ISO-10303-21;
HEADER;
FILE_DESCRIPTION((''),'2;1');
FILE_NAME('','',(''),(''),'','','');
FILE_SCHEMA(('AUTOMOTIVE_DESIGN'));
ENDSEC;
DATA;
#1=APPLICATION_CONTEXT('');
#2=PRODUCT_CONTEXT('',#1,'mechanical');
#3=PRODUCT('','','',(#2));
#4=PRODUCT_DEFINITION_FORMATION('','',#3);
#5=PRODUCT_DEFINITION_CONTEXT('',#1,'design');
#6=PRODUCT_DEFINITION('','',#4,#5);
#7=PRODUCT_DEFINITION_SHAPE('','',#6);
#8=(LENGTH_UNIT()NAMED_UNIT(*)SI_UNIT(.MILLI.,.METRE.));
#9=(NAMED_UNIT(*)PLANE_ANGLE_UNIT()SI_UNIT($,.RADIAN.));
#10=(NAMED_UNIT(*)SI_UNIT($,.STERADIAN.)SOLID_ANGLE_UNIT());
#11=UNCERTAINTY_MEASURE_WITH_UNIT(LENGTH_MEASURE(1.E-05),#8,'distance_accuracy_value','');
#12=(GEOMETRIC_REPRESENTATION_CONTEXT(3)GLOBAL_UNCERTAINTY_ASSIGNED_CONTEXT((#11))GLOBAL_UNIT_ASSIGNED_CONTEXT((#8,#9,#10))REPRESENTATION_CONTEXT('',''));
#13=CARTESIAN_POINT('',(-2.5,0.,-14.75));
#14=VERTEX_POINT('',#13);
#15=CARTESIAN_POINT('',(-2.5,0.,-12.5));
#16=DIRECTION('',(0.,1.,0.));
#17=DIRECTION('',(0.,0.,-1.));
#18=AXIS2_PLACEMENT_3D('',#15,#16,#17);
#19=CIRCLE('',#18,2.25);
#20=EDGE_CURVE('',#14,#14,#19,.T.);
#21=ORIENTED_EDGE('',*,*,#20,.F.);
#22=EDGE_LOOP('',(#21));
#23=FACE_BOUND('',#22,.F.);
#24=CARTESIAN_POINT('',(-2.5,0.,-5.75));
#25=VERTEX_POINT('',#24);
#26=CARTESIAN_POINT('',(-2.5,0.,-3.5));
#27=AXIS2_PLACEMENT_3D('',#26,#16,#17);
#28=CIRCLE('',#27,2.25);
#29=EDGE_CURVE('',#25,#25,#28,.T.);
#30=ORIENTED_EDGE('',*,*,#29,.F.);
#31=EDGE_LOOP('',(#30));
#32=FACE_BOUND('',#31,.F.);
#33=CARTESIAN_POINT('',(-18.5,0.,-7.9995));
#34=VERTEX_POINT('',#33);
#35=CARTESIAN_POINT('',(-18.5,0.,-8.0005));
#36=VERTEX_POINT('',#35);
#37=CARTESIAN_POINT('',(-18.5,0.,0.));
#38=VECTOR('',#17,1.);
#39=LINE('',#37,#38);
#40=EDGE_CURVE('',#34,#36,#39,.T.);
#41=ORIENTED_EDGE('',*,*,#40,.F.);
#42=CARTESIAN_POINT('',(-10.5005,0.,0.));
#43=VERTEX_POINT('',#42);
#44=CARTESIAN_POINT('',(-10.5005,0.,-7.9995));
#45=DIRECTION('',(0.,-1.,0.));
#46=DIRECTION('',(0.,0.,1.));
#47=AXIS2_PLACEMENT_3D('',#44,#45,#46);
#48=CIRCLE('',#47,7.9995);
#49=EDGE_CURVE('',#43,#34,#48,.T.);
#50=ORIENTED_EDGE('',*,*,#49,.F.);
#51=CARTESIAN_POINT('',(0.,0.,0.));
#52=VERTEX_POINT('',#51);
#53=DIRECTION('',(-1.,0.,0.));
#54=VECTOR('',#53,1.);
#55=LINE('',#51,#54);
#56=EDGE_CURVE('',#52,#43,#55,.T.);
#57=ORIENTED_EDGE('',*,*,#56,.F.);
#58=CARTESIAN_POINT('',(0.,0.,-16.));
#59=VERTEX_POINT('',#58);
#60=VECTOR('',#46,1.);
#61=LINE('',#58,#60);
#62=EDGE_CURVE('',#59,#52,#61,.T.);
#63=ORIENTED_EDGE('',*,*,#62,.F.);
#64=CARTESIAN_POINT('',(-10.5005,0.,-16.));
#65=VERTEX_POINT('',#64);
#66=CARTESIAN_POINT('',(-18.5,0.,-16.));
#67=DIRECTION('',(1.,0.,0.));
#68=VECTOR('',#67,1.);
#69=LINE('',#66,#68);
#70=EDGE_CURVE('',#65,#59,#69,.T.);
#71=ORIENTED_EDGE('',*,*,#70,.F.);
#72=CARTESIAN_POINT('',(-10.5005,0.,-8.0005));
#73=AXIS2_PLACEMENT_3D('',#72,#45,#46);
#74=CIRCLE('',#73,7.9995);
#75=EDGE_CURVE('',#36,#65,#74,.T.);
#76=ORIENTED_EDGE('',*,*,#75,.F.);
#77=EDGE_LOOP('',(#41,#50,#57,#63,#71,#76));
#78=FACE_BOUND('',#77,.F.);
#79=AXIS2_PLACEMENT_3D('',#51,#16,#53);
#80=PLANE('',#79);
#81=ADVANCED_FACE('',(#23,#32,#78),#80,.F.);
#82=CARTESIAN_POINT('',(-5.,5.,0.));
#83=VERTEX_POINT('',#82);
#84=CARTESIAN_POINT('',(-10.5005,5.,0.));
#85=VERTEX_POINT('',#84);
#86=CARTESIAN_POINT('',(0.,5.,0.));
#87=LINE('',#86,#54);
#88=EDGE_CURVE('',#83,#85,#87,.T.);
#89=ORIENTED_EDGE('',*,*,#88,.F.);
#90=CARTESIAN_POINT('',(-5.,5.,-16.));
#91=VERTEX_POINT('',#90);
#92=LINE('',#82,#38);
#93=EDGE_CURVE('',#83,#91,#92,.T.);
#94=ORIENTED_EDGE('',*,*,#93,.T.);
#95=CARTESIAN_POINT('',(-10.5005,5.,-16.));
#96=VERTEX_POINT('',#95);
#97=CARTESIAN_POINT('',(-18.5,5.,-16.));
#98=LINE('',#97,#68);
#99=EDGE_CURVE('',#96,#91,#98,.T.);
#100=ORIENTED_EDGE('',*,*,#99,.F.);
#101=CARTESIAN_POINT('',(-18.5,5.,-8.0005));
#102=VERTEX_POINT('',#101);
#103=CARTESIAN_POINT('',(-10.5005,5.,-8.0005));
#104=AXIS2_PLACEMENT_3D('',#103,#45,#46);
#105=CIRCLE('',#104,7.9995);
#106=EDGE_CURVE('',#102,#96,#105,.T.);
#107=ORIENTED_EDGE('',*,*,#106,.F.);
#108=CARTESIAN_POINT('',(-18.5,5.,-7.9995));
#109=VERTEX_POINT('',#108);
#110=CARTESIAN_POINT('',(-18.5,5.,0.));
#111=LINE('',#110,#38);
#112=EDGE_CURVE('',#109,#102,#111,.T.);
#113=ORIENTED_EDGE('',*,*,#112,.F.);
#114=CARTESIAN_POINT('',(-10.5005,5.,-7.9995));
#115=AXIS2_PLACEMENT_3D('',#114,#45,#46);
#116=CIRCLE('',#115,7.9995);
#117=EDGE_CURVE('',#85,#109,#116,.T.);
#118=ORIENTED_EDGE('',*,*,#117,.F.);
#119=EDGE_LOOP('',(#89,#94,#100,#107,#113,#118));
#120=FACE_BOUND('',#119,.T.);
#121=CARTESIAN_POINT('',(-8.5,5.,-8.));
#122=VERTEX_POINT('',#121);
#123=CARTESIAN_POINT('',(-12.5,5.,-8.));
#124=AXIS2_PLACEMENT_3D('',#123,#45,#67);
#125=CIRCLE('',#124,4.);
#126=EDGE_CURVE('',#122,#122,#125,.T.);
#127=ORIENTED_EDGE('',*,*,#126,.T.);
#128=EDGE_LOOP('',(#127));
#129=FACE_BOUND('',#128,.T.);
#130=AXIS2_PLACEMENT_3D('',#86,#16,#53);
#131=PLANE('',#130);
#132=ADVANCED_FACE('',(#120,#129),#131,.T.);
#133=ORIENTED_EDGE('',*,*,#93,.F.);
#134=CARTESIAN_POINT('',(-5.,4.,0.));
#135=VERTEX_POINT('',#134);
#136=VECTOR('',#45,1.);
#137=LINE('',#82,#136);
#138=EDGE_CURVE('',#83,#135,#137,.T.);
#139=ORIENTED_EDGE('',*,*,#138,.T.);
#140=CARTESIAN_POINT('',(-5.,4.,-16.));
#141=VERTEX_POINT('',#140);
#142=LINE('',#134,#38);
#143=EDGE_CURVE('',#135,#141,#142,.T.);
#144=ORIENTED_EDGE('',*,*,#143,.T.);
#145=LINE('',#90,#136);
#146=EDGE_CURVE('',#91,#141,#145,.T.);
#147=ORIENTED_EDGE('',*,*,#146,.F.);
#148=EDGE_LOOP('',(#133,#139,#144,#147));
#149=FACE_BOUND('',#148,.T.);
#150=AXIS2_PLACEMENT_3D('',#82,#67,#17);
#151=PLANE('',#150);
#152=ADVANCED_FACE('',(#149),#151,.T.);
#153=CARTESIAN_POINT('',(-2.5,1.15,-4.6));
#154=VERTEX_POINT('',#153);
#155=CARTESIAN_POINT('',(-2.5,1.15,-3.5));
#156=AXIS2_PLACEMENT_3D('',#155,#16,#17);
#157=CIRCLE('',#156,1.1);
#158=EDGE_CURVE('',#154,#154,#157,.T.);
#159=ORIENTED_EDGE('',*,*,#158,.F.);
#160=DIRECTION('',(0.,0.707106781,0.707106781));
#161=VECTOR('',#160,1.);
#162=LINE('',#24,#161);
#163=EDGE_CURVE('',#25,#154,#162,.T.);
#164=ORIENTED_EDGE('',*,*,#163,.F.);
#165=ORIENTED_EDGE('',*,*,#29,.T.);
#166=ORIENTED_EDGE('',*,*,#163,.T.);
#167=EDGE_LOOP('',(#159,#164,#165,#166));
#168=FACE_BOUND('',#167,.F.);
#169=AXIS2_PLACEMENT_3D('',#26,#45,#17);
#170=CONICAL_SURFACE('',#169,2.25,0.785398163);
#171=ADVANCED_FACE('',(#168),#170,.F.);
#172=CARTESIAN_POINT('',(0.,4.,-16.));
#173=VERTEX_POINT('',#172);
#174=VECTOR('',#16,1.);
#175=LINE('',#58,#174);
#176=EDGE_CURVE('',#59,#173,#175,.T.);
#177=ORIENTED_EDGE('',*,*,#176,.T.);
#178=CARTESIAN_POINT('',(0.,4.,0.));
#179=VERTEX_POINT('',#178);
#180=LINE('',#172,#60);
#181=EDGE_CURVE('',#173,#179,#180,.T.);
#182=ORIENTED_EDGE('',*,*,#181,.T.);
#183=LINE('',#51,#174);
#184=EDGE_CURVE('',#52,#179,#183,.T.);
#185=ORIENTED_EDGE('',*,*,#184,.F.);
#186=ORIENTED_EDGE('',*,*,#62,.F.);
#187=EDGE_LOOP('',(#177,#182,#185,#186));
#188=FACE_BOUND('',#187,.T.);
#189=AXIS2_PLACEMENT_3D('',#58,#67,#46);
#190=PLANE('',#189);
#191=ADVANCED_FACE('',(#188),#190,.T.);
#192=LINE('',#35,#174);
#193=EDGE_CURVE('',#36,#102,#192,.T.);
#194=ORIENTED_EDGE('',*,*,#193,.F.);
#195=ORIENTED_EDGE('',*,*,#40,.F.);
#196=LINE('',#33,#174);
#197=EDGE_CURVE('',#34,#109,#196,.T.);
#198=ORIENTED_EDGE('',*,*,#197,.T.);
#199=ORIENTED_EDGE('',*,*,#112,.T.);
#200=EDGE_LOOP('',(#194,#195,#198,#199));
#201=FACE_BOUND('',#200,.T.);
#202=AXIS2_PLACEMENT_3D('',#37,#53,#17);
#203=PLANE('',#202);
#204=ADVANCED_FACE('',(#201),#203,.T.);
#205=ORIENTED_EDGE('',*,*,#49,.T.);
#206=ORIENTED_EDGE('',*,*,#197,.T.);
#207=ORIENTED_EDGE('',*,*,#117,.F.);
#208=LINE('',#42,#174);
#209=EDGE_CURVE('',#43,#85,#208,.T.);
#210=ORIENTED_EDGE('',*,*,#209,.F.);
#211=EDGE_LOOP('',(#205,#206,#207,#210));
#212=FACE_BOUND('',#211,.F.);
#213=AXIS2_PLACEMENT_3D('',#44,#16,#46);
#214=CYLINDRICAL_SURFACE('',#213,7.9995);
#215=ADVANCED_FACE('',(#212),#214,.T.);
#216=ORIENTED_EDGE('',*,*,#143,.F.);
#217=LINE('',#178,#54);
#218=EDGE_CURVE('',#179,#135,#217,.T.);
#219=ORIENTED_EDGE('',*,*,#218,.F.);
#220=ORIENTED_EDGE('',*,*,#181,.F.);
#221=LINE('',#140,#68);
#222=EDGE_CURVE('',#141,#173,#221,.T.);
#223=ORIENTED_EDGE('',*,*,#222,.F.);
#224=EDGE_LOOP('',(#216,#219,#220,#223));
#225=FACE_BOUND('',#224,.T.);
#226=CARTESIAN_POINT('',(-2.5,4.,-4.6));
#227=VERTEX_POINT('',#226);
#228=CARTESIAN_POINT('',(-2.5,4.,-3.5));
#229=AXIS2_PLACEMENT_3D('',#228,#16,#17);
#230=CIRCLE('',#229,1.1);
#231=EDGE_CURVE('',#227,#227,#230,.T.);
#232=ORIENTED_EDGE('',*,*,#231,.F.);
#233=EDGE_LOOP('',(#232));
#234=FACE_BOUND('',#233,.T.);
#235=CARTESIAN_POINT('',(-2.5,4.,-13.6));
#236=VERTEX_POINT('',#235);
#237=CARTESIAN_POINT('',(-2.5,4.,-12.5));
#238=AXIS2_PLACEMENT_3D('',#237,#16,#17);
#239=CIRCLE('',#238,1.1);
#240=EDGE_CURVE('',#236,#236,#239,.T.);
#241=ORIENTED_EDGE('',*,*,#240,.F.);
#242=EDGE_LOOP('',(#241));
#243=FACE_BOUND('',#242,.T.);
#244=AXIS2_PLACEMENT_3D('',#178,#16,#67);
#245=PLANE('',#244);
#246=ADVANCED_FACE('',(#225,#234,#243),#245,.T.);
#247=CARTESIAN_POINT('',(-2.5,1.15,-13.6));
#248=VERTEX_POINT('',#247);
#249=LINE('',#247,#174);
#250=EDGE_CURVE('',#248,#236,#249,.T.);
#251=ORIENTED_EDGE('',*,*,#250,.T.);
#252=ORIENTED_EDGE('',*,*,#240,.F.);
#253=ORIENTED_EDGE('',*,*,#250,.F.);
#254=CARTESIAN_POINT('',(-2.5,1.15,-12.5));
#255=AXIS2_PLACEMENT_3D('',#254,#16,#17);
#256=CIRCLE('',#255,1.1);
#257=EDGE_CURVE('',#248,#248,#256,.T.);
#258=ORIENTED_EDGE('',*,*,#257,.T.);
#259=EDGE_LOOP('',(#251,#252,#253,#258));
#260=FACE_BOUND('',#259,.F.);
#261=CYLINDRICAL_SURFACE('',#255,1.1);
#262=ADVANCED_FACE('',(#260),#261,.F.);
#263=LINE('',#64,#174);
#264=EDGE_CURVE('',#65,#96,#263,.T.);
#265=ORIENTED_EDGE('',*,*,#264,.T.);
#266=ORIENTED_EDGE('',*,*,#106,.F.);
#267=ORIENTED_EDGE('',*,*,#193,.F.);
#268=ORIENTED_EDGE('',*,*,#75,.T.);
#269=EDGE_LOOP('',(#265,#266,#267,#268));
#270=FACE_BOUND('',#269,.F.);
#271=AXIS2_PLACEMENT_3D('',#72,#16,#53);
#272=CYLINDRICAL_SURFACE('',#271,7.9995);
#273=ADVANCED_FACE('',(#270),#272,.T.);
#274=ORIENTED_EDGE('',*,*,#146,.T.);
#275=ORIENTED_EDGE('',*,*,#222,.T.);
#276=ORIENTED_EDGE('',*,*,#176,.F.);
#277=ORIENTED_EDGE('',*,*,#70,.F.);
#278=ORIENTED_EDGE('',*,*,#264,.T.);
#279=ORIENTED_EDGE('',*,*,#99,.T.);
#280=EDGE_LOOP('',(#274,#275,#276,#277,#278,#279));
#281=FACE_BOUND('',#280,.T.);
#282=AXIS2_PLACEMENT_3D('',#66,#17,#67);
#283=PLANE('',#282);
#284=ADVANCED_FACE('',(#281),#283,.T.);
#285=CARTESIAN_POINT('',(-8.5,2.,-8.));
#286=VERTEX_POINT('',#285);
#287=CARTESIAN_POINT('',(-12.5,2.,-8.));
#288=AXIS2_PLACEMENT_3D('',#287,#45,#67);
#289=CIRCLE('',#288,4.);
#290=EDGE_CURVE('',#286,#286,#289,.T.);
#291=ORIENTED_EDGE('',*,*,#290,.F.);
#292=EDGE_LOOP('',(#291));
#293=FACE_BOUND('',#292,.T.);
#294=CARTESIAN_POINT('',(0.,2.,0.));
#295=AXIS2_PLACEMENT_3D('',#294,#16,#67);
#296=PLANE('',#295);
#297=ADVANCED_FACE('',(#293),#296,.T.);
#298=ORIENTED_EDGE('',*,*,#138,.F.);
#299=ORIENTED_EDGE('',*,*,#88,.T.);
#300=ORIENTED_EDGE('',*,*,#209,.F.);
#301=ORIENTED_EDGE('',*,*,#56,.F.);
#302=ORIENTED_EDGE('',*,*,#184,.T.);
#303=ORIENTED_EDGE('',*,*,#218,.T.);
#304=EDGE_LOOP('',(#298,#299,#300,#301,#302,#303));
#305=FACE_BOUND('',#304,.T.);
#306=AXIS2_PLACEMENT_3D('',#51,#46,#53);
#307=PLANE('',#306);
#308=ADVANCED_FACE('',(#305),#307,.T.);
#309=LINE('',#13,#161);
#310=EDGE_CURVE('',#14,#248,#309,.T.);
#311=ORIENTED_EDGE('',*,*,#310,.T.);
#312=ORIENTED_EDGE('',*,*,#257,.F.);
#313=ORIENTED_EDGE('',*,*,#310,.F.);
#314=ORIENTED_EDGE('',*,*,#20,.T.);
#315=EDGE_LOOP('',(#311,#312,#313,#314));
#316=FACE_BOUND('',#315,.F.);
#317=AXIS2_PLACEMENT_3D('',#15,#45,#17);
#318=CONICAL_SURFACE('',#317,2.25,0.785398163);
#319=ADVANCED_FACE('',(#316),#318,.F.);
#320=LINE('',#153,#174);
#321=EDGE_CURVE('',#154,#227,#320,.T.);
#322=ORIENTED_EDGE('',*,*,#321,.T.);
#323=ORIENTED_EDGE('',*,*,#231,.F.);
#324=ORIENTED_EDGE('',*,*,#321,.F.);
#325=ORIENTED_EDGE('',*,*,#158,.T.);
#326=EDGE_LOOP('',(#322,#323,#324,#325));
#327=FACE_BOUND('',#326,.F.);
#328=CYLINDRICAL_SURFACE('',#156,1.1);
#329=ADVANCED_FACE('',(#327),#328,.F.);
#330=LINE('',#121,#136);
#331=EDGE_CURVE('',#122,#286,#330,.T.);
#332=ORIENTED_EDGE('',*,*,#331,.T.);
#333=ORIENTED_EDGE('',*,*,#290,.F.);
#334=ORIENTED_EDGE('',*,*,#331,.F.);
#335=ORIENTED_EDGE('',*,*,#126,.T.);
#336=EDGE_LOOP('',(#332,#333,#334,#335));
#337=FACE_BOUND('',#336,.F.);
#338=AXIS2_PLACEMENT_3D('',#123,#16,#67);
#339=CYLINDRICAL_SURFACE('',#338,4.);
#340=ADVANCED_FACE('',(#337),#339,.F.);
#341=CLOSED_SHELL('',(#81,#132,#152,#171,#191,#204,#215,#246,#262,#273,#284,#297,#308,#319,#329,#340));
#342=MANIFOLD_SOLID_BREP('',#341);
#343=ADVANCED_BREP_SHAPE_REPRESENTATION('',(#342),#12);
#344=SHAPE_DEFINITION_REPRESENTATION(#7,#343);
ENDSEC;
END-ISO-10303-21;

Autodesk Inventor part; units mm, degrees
ref_plane "YZ Plane" through (0, 0, 0) normal (1, 0, 0) x (0, 1, 0)
ref_plane "XZ Plane" through (0, 0, 0) normal (0, 1, 0) x (-1, 0, 0)
ref_plane "XY Plane" through (0, 0, 0) normal (0, 0, 1) x (1, 0, 0)
sketch "Эскиз1" plane through (0, 0, 0) normal (0, 1, 0) x (-1, 0, 0)
  line L0 (0, 0) -> (18.5, 0)
  line L1 (18.5, 0) -> (18.5, -16)
  line L2 (18.5, -16) -> (0, -16)
  line L3 (0, -16) -> (0, 0)
  dimension "d0" = 18.5
  dimension "d1" = 16
extrude "Выдавливание1" add sketch "Эскиз1" along normal blind 5
sketch "Эскиз2" plane through (0, 5, 0) normal (0, 1, 0) x (1, 0, 0)
  line L0 (-18.5, 16) -> (-18.5, 0) projected
  line L1 (-18.5, 8) -> (-12.5, 8)
  circle A0 centre (-12.5, 8) radius 4
  point P0 (0, 0)
  dimension "d4" = 6
  dimension "d5" = 8
extrude "Выдавливание2" cut sketch "Эскиз2" against normal blind 3
fillet "Сопряжение1" radius 8 2 edges at (-18.5, 2.5, 0) (-18.5, 2.5, -16)
sketch "Эскиз3" plane through (0, 0, 0) normal (0, -1, 0) x (1, 0, 0)
  line L0 (0, 0) -> (0, -16) projected
  line L1 (0, -8) -> (-2.5, -8)
  line L2 (-2.5, -3.5) -> (-2.5, -12.5)
  dimension "d9" = 2.5
  dimension "d10" = 9
hole "Отверстие1" at (-2.5, 0, -3.5) at (-2.5, 0, -12.5) direction (0, 1, 0) diameter 2.2 end through all countersink diameter 4.5 countersink angle 90
sketch "Эскиз4" plane through (0, 5, 0) normal (0, 1, 0) x (1, 0, 0)
  line L0 (0, 0) -> (-5, 0)
  line L1 (-5, 0) -> (-5, 16)
  line L2 (-5, 16) -> (0, 16)
  line L3 (0, 16) -> (0, 0)
  line L4 (0, 16) -> (-10.5, 16) projected
  dimension "d18" = 5
extrude "Выдавливание3" cut sketch "Эскиз4" against normal blind 1
properties part number "Деталь основы рулевого управления"
